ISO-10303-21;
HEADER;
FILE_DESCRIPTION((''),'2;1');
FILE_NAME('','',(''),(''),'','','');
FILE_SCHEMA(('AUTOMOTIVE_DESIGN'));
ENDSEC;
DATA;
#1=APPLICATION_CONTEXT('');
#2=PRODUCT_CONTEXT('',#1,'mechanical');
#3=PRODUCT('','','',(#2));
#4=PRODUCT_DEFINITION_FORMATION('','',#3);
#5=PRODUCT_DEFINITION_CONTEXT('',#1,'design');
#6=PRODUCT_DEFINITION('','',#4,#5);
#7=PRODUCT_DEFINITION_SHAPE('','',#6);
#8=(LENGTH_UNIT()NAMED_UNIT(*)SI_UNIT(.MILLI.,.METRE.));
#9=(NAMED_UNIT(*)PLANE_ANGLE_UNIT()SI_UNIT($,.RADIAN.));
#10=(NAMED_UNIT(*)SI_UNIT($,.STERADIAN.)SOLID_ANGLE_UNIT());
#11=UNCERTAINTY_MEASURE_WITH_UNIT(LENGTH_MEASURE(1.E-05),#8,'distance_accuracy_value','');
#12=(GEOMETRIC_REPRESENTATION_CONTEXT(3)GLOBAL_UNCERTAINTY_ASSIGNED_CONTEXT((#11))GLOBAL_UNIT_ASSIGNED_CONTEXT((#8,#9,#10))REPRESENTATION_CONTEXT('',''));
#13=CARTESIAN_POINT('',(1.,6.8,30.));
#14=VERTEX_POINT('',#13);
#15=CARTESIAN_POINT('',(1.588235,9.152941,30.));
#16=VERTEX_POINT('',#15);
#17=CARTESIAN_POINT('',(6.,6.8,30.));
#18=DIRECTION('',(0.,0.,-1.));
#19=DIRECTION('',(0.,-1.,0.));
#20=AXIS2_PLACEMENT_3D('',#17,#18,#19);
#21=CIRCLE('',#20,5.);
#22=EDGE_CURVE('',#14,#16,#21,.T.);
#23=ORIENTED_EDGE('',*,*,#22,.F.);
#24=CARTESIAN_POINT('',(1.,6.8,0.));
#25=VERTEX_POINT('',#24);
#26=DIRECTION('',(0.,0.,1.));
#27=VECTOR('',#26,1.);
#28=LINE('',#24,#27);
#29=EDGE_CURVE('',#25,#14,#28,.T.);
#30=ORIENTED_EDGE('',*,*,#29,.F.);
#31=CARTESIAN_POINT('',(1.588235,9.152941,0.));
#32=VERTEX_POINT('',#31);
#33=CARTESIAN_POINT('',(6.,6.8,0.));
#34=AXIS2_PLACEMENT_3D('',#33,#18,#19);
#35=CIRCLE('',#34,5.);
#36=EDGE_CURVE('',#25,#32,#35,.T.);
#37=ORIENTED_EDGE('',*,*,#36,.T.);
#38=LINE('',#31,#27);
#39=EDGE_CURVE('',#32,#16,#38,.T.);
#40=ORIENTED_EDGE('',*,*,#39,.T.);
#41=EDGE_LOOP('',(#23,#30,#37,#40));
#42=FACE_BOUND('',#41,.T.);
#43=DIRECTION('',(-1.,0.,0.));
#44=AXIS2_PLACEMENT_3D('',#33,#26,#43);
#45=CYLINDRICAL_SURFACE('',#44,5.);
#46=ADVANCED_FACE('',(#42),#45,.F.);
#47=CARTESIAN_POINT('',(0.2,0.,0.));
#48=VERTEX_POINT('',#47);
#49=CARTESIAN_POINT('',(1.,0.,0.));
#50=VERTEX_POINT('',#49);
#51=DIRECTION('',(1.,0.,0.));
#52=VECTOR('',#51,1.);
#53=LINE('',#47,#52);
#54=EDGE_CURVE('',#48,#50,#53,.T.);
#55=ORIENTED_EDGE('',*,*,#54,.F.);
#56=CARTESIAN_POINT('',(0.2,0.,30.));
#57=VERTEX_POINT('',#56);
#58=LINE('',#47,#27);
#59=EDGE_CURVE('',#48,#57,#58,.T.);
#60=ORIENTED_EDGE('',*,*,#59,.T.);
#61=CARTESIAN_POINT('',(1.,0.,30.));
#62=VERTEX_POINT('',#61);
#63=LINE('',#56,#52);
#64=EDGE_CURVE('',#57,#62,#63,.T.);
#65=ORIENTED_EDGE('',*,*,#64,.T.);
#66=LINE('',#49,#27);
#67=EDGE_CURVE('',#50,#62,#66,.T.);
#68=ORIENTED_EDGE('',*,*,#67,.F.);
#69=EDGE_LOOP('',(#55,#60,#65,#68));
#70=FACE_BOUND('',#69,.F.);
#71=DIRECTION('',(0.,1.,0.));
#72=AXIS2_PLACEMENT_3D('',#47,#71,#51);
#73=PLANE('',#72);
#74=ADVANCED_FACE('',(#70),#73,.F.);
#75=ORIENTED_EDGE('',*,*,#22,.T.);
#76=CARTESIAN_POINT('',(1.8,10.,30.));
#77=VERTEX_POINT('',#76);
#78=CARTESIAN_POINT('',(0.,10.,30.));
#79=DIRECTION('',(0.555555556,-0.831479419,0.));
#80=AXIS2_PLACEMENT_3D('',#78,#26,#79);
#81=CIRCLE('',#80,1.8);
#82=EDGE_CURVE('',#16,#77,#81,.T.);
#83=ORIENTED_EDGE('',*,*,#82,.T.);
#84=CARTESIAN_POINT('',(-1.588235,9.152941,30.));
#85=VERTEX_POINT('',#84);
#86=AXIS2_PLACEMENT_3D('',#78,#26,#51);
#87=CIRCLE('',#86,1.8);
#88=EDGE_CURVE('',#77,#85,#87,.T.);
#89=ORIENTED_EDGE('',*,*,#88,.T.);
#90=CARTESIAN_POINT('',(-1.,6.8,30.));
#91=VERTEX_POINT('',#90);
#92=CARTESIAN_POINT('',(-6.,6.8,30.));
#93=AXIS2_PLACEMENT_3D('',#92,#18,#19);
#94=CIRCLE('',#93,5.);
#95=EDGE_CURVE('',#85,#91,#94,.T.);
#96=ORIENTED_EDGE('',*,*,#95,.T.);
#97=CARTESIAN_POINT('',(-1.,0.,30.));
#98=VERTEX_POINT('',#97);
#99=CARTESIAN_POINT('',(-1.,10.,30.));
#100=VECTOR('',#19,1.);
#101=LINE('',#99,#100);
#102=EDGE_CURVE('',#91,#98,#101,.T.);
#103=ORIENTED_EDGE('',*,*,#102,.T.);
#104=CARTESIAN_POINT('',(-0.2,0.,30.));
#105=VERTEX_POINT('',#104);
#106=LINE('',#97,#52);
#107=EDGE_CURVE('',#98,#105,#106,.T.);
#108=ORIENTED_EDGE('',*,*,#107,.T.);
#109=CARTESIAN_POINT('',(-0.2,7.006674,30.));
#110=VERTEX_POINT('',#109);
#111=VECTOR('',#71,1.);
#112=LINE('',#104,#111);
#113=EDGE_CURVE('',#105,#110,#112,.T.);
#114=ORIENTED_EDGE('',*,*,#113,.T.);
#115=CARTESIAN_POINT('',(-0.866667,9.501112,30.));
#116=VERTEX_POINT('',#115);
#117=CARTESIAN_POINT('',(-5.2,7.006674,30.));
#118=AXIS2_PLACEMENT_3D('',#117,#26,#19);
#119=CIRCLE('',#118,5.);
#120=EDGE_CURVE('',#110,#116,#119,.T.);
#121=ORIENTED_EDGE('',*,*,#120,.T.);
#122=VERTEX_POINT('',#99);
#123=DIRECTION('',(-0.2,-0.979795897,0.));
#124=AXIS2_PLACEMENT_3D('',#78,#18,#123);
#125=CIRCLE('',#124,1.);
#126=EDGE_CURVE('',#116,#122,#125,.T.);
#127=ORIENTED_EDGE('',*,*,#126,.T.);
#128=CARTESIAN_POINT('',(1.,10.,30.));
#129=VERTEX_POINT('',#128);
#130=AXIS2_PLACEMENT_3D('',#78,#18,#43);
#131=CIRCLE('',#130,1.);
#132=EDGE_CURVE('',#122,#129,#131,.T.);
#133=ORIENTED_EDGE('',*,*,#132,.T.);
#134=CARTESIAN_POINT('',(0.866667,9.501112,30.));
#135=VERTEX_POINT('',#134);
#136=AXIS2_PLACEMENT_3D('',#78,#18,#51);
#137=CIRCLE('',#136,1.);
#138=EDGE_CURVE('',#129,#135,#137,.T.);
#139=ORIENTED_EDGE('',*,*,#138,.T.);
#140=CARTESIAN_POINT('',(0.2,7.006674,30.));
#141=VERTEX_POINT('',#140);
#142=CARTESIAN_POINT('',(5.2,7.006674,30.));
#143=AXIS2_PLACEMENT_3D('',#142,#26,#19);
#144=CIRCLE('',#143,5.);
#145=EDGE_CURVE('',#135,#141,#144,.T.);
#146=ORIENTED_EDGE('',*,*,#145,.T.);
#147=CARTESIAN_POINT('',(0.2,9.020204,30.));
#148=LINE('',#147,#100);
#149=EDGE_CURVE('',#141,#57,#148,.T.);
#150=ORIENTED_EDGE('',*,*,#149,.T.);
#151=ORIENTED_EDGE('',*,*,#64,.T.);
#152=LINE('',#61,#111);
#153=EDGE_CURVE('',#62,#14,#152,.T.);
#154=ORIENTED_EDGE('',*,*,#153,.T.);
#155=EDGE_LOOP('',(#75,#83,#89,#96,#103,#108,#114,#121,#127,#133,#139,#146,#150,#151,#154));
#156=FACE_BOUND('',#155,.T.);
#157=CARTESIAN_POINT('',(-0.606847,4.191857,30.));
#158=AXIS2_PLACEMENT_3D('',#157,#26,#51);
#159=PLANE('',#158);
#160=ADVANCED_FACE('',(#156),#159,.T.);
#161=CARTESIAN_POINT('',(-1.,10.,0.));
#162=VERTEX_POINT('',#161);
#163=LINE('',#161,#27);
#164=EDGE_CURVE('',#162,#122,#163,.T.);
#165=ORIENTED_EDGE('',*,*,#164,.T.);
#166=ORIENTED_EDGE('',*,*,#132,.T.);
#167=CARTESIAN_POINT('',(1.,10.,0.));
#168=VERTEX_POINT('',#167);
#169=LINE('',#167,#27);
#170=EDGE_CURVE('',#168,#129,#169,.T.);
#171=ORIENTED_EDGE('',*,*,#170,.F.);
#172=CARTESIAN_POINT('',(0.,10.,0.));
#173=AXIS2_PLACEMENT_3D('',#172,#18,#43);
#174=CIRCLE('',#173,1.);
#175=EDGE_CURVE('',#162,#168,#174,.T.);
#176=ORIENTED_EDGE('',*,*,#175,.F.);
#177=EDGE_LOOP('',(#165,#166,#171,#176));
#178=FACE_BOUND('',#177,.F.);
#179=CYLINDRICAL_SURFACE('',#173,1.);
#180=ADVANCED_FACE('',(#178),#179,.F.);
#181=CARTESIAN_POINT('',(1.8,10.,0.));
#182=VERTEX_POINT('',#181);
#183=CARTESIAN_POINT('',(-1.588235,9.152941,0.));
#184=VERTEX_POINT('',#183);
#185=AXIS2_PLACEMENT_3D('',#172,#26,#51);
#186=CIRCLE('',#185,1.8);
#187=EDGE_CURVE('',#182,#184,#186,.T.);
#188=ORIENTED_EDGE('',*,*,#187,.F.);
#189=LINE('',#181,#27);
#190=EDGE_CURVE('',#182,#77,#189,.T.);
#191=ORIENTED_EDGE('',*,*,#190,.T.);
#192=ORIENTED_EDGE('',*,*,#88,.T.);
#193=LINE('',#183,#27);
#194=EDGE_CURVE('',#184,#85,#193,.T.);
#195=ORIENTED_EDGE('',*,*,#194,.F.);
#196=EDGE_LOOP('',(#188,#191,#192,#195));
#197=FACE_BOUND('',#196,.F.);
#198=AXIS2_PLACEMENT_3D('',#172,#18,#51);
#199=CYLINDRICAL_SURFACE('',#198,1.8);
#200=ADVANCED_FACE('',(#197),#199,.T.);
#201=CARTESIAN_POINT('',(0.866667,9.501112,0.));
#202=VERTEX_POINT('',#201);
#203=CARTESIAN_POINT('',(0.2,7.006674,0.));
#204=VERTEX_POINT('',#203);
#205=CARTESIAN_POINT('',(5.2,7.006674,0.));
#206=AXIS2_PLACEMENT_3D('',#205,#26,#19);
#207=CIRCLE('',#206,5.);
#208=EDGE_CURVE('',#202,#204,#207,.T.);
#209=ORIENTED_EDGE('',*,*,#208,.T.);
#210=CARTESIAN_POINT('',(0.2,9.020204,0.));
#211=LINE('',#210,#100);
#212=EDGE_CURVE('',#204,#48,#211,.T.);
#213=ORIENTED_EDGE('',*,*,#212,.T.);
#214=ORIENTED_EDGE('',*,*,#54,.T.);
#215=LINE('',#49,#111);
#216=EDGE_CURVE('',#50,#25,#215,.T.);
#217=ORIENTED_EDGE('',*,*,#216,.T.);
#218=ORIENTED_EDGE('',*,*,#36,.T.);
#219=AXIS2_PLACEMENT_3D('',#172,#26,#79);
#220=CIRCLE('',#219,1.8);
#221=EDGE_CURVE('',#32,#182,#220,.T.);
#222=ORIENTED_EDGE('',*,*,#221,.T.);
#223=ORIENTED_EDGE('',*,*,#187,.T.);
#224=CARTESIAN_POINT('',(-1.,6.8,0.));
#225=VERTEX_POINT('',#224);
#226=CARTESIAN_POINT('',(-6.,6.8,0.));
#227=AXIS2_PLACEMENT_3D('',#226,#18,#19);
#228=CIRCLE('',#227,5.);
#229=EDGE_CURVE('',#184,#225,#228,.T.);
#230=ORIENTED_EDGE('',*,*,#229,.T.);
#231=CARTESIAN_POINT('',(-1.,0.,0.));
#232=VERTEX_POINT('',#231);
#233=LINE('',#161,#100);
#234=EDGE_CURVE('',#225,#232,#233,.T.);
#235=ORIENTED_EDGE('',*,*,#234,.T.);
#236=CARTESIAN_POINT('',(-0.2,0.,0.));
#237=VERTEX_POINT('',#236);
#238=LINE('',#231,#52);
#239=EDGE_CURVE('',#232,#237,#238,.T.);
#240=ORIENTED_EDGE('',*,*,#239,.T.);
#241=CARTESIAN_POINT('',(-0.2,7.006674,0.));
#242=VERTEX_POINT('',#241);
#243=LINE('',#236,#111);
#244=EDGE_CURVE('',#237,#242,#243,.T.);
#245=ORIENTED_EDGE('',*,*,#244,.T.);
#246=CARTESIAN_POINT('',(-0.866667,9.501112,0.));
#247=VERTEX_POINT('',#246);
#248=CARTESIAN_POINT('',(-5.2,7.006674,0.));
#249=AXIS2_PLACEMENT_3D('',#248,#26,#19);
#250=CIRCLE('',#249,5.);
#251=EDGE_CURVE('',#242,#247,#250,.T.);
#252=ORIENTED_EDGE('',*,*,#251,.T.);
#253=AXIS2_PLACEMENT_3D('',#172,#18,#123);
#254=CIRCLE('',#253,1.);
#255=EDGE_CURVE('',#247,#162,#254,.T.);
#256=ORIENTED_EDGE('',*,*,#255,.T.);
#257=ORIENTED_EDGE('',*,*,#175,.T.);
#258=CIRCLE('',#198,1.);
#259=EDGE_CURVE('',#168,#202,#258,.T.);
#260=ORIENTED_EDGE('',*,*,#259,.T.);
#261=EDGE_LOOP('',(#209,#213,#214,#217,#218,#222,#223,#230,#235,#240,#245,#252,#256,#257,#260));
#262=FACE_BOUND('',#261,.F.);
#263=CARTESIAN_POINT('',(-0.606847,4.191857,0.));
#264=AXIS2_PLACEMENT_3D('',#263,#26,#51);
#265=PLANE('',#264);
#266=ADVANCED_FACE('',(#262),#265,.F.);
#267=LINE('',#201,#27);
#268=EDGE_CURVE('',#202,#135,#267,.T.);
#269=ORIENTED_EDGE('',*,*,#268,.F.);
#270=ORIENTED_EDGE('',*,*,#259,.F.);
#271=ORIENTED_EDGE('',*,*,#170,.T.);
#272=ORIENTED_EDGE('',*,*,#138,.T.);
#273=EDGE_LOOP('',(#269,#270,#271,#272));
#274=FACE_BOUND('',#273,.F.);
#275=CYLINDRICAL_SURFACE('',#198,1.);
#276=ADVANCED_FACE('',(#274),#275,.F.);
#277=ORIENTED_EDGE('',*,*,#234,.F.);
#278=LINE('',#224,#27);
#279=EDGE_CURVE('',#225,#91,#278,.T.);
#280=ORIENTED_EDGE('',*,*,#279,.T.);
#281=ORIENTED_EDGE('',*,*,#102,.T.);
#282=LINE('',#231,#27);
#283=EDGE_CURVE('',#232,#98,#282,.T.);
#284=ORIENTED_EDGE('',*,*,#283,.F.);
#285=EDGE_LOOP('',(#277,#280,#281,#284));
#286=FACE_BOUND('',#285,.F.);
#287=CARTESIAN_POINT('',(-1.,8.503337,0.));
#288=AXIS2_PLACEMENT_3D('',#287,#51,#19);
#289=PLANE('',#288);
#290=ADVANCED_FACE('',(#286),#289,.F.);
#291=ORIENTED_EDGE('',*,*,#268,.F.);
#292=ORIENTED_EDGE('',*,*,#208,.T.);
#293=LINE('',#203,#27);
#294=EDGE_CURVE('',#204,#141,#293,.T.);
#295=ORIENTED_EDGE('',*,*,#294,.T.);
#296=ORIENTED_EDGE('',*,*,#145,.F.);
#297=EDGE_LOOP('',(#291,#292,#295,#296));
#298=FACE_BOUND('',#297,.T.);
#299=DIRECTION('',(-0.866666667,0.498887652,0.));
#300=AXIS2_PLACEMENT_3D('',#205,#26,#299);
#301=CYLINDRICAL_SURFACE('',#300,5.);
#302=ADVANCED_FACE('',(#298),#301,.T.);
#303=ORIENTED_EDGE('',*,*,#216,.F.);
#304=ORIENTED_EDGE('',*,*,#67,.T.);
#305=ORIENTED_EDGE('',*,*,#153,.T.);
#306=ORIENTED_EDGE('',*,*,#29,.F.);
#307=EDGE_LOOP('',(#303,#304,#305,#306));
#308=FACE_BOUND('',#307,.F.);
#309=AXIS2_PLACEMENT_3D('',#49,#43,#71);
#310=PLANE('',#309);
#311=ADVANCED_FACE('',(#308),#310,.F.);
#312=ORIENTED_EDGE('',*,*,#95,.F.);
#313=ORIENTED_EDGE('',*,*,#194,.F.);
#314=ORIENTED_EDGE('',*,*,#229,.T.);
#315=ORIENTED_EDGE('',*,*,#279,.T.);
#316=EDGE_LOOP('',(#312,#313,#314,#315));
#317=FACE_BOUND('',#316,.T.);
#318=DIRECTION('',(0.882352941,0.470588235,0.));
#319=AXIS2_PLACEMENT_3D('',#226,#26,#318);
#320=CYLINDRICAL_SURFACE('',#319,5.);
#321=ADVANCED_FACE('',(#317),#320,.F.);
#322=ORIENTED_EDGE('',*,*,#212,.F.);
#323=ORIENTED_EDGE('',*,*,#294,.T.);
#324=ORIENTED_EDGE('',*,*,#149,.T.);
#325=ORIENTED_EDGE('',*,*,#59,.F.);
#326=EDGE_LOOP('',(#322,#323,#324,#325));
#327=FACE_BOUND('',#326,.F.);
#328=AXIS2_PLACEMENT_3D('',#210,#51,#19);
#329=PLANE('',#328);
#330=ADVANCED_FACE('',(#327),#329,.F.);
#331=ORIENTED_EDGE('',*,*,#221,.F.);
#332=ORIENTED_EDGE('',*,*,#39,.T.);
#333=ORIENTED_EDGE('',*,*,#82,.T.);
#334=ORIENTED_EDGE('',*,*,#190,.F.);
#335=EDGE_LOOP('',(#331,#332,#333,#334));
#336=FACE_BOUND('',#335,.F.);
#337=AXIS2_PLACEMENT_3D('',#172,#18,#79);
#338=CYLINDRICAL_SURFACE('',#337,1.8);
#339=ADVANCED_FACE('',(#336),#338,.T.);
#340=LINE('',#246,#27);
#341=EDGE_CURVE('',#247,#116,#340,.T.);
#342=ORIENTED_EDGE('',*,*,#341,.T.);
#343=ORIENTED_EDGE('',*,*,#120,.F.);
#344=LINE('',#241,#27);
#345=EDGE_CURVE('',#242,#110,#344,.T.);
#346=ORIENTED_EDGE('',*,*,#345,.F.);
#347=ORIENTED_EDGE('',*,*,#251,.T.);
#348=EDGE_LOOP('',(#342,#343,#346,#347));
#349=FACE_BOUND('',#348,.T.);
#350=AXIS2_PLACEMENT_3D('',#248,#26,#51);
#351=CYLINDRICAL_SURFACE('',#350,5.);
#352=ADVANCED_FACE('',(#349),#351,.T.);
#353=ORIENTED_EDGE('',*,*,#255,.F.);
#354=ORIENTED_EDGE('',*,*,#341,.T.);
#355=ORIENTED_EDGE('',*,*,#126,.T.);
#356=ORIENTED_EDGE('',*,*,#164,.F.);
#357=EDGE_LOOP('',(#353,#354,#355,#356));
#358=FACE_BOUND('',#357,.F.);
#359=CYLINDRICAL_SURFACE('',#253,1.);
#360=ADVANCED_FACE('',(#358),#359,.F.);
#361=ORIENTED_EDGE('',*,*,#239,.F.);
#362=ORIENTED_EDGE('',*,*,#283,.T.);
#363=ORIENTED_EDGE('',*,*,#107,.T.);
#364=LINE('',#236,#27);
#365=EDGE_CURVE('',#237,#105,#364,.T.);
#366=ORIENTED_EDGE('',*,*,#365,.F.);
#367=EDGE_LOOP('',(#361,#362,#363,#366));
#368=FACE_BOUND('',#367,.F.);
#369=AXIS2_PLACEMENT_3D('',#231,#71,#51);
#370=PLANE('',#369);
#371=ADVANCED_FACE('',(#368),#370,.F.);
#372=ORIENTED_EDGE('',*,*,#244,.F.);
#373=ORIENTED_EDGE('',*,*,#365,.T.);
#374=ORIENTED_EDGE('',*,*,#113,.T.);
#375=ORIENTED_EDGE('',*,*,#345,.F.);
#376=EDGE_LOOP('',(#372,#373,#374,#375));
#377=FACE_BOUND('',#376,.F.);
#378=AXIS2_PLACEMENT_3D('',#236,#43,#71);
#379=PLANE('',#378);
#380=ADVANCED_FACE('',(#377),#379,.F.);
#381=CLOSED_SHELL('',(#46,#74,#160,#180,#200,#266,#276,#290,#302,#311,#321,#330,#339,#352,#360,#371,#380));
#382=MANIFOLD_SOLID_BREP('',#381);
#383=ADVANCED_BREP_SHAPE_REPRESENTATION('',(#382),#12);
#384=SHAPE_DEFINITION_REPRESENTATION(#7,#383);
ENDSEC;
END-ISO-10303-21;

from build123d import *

# Parameters (mm, degrees)
F1_DEPTH = 30
F2_R     = 5


with BuildPart() as f1:
    # F0 (on Top) → F1 (new body)
    with BuildSketch(Plane.XY):
        with BuildLine():
            Line((-1, 0), (-0.2, 0))
            Line((-0.2, 0), (-0.2, 8.211145618))
            ThreePointArc((-0.2, 8.211145618), (-0.6175305317, 8.3092439435), (-1, 8.5033370453))
            Line((-1, 8.5033370453), (-1, 0))
        make_face()
        with BuildLine():
            ThreePointArc((-1, 8.5033370453), (-0.6175305317, 8.3092439435), (-0.2, 8.211145618))
            Line((-0.2, 8.211145618), (-0.2, 9.0202041029))
            ThreePointArc((-0.2, 9.0202041029), (-0.7745966692, 9.367544468), (-1, 10))
            Line((-1, 10), (-1, 8.5033370453))
        make_face()
        with BuildLine():
            ThreePointArc((1.8, 10), (-0.8485281374, 11.5874507866), (-1, 8.5033370453))
            Line((-1, 8.5033370453), (-1, 10))
            ThreePointArc((-1, 10), (0, 11), (1, 10))
            Line((1, 10), (1, 8.5033370453))
            ThreePointArc((1, 8.5033370453), (1.5874507866, 9.1514718626), (1.8, 10))
        make_face()
        with BuildLine():
            Line((0.2, 9.0202041029), (0.2, 8.211145618))
            ThreePointArc((0.2, 8.211145618), (0.6175305317, 8.3092439435), (1, 8.5033370453))
            Line((1, 8.5033370453), (1, 10))
            ThreePointArc((1, 10), (0.7745966692, 9.367544468), (0.2, 9.0202041029))
        make_face()
        with BuildLine():
            ThreePointArc((1, 8.5033370453), (0.6175305317, 8.3092439435), (0.2, 8.211145618))
            Line((0.2, 8.211145618), (0.2, 0))
            Line((0.2, 0), (1, 0))
            Line((1, 0), (1, 8.5033370453))
        make_face()
    extrude(amount=F1_DEPTH)

    # F2
    f2_edges = [f1.edges().sort_by_distance(p)[0] for p in [
        (-0.2, 9.020204, 15),
        (0.2, 9.020204, 15),
        (-1, 8.503337, 15),
        (1, 8.503337, 15),
    ]]
    fillet(f2_edges, radius=F2_R)


solid = f1.part
